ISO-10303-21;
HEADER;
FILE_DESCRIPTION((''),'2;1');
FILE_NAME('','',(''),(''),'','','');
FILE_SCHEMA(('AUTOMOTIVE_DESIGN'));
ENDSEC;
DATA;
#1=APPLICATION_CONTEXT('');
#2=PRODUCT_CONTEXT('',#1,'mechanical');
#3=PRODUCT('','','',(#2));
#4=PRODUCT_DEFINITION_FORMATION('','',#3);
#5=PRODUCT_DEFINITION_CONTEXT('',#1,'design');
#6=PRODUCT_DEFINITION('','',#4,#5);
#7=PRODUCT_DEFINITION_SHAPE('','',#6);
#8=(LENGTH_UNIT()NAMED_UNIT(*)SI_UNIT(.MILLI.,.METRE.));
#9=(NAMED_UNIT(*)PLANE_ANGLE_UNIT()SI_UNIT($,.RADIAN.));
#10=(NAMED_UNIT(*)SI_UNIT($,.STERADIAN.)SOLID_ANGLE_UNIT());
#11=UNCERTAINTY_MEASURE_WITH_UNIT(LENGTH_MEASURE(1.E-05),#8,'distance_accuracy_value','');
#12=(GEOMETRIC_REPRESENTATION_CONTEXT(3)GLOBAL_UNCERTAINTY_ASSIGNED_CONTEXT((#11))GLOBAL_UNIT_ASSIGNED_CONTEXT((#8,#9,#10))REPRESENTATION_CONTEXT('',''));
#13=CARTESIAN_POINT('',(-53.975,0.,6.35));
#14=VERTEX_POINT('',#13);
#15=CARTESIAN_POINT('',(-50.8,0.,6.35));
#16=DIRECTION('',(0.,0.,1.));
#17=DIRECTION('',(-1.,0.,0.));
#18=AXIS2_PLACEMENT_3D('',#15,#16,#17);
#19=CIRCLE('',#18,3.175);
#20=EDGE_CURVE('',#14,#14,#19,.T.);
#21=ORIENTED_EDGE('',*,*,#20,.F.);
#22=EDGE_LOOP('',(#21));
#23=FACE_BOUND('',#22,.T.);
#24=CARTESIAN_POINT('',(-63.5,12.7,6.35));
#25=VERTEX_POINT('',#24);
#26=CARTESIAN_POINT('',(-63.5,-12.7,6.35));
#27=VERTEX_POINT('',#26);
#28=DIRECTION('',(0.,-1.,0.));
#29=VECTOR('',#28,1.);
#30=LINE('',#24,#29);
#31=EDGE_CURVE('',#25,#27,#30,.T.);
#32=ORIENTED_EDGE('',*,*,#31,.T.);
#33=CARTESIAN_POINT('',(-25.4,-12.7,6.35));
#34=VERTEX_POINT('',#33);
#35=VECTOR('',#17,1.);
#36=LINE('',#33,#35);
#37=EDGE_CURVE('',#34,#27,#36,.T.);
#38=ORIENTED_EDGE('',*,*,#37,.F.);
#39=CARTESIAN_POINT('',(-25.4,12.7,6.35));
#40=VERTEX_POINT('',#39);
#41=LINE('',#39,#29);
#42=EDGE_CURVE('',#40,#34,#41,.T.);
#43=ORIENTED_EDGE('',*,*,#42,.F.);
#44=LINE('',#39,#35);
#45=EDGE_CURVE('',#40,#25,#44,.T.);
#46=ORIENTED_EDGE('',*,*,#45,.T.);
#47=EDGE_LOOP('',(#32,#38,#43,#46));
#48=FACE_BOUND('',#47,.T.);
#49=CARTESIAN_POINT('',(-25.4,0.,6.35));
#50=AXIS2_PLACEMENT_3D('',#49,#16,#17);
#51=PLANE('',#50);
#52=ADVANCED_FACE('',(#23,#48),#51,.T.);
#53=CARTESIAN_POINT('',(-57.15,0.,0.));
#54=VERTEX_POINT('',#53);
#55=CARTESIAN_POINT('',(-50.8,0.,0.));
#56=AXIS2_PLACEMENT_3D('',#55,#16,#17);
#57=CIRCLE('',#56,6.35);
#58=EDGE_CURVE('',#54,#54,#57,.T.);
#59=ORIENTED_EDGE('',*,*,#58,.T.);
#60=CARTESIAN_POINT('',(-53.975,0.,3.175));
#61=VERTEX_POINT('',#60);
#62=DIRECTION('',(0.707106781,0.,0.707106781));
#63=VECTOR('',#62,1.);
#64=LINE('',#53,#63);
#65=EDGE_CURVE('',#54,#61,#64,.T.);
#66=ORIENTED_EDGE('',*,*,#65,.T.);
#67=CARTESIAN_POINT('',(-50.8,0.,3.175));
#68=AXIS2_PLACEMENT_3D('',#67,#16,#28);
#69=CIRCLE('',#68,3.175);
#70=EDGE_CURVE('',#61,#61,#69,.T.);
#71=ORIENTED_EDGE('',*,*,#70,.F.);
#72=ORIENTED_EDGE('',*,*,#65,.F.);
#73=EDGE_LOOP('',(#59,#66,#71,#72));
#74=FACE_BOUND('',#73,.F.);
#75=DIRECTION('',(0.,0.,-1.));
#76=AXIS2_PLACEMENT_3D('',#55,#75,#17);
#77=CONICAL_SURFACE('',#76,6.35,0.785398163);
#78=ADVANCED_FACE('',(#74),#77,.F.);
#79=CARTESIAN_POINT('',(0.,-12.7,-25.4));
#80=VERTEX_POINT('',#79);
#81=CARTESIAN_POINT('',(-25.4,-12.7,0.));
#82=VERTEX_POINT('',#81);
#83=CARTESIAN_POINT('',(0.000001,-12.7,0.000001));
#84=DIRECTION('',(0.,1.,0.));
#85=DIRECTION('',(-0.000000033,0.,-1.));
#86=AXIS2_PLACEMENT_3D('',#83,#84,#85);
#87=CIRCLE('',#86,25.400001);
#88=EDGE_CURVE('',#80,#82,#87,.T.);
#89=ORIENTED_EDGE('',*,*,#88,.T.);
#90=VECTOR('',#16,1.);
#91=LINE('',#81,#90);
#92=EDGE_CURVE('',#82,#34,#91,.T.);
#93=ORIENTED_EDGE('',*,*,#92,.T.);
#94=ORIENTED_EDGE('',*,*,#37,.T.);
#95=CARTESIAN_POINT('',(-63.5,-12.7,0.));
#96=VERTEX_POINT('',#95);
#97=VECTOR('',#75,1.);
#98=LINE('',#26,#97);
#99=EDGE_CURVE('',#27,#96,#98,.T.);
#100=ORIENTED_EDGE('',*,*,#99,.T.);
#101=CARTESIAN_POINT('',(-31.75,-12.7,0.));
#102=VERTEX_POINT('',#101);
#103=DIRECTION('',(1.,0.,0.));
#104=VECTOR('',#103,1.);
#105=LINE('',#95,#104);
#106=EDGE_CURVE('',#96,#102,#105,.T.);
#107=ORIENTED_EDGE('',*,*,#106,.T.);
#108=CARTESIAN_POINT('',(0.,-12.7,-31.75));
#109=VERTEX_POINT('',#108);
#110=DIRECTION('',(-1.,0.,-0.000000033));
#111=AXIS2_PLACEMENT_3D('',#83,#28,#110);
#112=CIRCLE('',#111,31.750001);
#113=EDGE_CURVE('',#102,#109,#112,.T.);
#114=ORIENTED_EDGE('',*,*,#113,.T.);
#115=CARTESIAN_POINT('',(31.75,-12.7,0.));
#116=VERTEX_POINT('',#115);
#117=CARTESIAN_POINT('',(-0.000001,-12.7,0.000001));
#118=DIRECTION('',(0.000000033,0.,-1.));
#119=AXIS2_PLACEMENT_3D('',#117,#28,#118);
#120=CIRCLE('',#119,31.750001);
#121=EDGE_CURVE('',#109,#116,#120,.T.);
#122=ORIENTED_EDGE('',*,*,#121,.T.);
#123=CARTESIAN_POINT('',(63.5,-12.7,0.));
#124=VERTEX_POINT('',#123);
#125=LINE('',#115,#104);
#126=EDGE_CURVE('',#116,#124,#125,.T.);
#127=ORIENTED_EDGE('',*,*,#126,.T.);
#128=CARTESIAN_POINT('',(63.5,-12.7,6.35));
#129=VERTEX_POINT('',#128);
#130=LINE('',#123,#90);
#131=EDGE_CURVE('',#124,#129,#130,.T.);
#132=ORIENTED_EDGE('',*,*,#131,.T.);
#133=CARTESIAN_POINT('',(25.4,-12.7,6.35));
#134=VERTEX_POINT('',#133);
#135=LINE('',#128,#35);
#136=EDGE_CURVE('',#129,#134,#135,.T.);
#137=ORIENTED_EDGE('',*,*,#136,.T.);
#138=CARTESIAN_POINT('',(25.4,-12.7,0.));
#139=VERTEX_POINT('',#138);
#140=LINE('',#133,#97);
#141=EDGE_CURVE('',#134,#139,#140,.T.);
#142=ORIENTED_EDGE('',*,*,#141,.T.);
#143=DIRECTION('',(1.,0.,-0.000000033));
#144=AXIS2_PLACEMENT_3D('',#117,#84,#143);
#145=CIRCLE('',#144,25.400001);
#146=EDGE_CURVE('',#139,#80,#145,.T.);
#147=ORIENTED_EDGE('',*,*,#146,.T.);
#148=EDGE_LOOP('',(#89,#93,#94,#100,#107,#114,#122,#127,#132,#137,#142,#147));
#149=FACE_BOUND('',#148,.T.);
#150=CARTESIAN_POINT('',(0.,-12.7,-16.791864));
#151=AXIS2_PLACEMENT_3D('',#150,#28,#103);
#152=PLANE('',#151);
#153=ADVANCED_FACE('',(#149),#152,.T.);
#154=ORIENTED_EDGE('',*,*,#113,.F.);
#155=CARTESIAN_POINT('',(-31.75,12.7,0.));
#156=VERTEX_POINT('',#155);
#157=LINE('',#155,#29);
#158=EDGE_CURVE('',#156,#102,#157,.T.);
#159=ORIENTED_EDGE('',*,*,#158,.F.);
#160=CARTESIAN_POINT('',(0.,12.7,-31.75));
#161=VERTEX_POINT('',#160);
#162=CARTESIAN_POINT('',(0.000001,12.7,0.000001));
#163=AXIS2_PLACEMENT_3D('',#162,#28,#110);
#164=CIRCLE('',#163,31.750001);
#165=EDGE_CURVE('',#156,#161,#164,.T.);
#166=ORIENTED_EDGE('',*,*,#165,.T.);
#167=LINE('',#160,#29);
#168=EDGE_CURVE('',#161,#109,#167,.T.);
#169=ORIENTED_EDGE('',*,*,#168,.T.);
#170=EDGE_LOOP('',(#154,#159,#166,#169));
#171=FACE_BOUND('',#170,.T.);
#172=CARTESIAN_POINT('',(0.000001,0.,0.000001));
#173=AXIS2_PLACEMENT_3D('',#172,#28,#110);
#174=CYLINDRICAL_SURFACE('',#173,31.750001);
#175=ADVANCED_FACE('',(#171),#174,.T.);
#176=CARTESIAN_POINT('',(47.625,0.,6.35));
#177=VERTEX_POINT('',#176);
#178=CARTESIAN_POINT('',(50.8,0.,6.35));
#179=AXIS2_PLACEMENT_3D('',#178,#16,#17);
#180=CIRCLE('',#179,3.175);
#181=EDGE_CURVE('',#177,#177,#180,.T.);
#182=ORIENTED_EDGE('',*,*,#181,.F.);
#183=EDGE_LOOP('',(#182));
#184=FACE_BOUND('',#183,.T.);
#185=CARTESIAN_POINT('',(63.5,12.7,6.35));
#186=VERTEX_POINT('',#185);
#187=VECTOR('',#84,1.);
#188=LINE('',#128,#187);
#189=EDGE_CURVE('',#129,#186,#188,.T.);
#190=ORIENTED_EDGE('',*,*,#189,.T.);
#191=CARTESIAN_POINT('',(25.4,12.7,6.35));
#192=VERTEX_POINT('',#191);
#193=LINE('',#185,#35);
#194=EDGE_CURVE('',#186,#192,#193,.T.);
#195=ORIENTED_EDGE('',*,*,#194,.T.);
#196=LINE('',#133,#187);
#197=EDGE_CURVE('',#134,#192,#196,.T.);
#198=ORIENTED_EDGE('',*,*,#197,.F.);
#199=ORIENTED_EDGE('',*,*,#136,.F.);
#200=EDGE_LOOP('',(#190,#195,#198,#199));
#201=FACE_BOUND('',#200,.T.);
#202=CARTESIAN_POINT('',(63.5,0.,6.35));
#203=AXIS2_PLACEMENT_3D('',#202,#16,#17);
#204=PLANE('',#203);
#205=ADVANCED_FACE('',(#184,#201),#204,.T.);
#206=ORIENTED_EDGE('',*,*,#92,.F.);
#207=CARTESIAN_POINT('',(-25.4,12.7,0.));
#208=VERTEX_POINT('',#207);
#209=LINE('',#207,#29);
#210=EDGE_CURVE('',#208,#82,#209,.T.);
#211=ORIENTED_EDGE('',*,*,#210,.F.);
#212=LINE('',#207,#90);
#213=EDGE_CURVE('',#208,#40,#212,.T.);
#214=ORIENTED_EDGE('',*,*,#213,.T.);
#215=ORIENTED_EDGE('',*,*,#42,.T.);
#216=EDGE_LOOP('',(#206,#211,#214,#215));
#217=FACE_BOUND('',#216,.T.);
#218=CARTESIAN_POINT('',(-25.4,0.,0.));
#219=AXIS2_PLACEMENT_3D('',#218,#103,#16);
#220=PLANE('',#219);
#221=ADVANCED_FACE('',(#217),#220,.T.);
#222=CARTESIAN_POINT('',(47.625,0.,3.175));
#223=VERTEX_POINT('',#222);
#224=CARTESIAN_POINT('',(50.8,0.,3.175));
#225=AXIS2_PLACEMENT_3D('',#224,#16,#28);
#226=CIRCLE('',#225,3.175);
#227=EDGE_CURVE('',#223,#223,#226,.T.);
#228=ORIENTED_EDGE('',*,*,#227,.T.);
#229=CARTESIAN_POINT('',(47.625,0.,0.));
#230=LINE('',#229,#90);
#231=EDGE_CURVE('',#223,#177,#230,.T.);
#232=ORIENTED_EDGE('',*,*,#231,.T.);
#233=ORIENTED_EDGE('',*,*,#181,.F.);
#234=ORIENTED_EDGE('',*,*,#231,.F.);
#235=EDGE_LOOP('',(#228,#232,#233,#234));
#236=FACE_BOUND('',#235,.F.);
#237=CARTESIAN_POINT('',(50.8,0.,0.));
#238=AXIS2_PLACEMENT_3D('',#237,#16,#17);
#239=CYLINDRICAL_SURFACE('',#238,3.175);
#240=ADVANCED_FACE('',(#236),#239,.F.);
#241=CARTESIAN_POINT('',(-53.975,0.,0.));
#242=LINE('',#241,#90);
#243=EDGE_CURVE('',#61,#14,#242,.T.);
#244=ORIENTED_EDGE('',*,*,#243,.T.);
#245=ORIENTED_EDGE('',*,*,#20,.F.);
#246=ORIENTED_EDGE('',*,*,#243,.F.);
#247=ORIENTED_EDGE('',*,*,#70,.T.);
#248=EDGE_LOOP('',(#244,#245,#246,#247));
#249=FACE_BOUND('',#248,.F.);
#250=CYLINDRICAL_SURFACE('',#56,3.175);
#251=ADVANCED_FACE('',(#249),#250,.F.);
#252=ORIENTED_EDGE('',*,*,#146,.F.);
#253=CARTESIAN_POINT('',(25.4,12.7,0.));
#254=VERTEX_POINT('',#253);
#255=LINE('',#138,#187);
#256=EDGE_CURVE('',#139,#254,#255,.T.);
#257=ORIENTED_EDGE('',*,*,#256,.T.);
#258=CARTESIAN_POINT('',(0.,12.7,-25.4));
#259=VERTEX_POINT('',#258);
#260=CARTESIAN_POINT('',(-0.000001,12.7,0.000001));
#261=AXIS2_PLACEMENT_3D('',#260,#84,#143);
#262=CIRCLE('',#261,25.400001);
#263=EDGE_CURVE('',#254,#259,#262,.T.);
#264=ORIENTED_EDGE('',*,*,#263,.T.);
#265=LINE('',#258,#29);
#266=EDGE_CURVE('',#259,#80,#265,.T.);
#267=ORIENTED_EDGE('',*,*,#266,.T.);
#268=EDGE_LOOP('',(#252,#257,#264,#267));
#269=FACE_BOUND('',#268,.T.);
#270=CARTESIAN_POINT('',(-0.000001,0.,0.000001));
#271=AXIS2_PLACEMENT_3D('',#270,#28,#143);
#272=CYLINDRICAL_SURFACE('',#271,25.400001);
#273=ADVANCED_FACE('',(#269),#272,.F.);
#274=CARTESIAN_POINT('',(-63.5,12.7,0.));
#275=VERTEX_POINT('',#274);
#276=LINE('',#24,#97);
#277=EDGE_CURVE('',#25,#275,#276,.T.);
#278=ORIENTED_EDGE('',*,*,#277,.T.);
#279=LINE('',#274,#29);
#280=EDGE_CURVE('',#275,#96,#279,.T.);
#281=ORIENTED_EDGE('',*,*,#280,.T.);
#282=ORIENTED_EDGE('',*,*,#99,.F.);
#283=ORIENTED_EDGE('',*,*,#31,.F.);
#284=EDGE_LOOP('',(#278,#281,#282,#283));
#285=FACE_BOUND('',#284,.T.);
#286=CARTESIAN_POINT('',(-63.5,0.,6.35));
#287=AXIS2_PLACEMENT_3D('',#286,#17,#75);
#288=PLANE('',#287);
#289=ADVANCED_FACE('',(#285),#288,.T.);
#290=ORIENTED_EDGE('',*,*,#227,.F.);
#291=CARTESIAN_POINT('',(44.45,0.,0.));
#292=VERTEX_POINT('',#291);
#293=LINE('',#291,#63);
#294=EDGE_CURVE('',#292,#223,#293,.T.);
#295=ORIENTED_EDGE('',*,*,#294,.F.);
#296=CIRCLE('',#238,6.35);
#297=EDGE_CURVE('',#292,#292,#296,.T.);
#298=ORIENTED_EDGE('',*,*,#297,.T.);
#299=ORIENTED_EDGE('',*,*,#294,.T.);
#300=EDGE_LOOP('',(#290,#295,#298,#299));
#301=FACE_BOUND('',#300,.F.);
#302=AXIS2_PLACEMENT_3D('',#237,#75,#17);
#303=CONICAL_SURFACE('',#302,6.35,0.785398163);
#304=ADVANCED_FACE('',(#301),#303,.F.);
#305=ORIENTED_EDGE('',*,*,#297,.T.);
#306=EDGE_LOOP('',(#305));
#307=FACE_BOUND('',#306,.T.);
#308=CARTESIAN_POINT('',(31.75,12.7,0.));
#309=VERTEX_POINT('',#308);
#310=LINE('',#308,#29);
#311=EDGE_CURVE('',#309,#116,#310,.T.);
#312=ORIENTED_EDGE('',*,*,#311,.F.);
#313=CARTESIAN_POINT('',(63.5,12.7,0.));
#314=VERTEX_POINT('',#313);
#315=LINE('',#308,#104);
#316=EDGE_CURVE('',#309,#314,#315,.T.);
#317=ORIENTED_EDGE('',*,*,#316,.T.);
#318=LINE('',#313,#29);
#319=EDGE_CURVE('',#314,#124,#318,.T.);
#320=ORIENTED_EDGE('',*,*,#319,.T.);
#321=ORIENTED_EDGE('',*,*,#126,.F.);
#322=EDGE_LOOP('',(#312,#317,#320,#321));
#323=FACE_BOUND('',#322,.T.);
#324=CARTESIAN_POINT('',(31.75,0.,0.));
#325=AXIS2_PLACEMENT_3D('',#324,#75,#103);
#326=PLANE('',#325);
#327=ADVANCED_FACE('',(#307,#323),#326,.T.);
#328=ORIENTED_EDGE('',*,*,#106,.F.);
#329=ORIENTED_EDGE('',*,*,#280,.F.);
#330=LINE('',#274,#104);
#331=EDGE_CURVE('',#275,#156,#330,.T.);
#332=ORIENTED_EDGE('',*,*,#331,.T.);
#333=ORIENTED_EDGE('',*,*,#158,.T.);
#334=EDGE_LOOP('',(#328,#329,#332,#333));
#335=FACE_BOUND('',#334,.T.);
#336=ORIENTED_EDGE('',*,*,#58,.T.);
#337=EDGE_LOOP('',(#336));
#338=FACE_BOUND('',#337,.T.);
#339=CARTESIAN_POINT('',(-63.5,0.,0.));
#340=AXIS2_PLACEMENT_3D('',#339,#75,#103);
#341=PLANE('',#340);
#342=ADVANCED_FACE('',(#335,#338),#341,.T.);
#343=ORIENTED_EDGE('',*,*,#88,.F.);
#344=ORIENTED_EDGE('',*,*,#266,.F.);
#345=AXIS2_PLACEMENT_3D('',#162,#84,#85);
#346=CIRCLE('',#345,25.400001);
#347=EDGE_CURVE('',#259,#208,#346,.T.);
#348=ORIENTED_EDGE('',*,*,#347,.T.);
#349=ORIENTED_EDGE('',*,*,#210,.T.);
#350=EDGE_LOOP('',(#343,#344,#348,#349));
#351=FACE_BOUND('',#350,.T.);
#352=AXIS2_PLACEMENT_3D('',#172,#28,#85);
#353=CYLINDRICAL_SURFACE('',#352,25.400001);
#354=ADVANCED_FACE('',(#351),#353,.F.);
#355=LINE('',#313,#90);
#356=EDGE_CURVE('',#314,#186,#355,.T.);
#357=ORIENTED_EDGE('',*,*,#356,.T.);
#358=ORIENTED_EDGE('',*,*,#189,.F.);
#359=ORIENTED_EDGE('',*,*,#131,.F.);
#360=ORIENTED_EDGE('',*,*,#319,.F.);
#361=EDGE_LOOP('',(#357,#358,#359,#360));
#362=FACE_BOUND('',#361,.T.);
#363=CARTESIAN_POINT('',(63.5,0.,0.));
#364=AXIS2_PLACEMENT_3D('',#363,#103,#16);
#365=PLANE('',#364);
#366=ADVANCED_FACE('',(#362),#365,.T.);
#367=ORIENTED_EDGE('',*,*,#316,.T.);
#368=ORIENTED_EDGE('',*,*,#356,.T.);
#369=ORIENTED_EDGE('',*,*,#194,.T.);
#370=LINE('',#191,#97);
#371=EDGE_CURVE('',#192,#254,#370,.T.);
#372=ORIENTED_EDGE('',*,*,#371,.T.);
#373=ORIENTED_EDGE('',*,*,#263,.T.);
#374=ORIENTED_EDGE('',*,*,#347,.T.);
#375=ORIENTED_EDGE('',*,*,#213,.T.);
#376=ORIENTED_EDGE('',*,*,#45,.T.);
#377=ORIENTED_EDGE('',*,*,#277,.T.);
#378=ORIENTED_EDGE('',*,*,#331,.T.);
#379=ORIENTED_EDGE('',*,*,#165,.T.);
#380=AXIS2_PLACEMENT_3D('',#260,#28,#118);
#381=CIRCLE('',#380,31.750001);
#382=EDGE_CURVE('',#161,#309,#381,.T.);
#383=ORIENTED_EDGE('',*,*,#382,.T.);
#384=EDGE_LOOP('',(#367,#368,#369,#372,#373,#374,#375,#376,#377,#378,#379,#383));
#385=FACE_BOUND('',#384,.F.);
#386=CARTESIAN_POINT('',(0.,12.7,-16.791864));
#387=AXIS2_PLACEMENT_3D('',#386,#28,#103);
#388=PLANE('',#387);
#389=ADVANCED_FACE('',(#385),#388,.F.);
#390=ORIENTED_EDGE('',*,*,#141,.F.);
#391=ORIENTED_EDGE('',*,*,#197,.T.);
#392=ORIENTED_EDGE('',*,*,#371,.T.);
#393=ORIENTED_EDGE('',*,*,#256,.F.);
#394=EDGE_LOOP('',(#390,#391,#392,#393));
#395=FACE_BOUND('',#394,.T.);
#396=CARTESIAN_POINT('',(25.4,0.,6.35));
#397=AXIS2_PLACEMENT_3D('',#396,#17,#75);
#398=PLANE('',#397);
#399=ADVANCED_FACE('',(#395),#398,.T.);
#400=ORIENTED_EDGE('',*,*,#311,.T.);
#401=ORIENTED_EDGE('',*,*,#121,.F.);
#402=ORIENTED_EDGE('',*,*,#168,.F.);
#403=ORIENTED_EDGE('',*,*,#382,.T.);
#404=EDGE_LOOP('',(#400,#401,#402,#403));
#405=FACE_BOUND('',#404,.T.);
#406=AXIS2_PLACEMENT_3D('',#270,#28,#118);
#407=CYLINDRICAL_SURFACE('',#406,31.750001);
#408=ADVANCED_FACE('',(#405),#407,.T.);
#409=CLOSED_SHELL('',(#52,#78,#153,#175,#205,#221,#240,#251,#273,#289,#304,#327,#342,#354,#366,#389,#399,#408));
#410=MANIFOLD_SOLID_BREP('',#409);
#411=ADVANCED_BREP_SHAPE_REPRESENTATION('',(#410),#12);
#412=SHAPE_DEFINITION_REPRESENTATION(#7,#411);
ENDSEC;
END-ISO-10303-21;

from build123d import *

# Parameters (mm, degrees)
F1_DEPTH       = 12.7
F3_D           = 6.35
F3_CSINK_D     = 12.7
F3_CSINK_ANGLE = 90


with BuildPart() as f1:
    # F0 (on Front) → F1 (new body, symmetric)
    with BuildSketch(Plane.XZ):
        with BuildLine():
            ThreePointArc((25.4, 0), (17.960512, -17.960512), (0, -25.4))
            ThreePointArc((0, -25.4), (-17.960512, -17.960512), (-25.4, 0))
            Line((-25.4, 0), (-31.75, 0))
            ThreePointArc((-31.75, 0), (-22.45064, -22.45064), (0, -31.75))
            ThreePointArc((0, -31.75), (22.45064, -22.45064), (31.75, 0))
            Line((31.75, 0), (25.4, 0))
        make_face()
        Polygon((-31.75, 0), (-25.4, 0), (-25.4, 6.35), (-63.5, 6.35), (-63.5, 0), align=None)
        Polygon((25.4, 6.35), (25.4, 0), (31.75, 0), (63.5, 0), (63.5, 6.35), align=None)
    extrude(amount=F1_DEPTH, both=True)

    # F3 (through all)
    with Locations(Plane(origin=(0, 0, 0), x_dir=(1, 0, 0), z_dir=(0, 0, -1))):
        with Locations((-50.8, 0), (50.8, 0)):
            CounterSinkHole(F3_D / 2, F3_CSINK_D / 2, counter_sink_angle=F3_CSINK_ANGLE)


solid = f1.part
